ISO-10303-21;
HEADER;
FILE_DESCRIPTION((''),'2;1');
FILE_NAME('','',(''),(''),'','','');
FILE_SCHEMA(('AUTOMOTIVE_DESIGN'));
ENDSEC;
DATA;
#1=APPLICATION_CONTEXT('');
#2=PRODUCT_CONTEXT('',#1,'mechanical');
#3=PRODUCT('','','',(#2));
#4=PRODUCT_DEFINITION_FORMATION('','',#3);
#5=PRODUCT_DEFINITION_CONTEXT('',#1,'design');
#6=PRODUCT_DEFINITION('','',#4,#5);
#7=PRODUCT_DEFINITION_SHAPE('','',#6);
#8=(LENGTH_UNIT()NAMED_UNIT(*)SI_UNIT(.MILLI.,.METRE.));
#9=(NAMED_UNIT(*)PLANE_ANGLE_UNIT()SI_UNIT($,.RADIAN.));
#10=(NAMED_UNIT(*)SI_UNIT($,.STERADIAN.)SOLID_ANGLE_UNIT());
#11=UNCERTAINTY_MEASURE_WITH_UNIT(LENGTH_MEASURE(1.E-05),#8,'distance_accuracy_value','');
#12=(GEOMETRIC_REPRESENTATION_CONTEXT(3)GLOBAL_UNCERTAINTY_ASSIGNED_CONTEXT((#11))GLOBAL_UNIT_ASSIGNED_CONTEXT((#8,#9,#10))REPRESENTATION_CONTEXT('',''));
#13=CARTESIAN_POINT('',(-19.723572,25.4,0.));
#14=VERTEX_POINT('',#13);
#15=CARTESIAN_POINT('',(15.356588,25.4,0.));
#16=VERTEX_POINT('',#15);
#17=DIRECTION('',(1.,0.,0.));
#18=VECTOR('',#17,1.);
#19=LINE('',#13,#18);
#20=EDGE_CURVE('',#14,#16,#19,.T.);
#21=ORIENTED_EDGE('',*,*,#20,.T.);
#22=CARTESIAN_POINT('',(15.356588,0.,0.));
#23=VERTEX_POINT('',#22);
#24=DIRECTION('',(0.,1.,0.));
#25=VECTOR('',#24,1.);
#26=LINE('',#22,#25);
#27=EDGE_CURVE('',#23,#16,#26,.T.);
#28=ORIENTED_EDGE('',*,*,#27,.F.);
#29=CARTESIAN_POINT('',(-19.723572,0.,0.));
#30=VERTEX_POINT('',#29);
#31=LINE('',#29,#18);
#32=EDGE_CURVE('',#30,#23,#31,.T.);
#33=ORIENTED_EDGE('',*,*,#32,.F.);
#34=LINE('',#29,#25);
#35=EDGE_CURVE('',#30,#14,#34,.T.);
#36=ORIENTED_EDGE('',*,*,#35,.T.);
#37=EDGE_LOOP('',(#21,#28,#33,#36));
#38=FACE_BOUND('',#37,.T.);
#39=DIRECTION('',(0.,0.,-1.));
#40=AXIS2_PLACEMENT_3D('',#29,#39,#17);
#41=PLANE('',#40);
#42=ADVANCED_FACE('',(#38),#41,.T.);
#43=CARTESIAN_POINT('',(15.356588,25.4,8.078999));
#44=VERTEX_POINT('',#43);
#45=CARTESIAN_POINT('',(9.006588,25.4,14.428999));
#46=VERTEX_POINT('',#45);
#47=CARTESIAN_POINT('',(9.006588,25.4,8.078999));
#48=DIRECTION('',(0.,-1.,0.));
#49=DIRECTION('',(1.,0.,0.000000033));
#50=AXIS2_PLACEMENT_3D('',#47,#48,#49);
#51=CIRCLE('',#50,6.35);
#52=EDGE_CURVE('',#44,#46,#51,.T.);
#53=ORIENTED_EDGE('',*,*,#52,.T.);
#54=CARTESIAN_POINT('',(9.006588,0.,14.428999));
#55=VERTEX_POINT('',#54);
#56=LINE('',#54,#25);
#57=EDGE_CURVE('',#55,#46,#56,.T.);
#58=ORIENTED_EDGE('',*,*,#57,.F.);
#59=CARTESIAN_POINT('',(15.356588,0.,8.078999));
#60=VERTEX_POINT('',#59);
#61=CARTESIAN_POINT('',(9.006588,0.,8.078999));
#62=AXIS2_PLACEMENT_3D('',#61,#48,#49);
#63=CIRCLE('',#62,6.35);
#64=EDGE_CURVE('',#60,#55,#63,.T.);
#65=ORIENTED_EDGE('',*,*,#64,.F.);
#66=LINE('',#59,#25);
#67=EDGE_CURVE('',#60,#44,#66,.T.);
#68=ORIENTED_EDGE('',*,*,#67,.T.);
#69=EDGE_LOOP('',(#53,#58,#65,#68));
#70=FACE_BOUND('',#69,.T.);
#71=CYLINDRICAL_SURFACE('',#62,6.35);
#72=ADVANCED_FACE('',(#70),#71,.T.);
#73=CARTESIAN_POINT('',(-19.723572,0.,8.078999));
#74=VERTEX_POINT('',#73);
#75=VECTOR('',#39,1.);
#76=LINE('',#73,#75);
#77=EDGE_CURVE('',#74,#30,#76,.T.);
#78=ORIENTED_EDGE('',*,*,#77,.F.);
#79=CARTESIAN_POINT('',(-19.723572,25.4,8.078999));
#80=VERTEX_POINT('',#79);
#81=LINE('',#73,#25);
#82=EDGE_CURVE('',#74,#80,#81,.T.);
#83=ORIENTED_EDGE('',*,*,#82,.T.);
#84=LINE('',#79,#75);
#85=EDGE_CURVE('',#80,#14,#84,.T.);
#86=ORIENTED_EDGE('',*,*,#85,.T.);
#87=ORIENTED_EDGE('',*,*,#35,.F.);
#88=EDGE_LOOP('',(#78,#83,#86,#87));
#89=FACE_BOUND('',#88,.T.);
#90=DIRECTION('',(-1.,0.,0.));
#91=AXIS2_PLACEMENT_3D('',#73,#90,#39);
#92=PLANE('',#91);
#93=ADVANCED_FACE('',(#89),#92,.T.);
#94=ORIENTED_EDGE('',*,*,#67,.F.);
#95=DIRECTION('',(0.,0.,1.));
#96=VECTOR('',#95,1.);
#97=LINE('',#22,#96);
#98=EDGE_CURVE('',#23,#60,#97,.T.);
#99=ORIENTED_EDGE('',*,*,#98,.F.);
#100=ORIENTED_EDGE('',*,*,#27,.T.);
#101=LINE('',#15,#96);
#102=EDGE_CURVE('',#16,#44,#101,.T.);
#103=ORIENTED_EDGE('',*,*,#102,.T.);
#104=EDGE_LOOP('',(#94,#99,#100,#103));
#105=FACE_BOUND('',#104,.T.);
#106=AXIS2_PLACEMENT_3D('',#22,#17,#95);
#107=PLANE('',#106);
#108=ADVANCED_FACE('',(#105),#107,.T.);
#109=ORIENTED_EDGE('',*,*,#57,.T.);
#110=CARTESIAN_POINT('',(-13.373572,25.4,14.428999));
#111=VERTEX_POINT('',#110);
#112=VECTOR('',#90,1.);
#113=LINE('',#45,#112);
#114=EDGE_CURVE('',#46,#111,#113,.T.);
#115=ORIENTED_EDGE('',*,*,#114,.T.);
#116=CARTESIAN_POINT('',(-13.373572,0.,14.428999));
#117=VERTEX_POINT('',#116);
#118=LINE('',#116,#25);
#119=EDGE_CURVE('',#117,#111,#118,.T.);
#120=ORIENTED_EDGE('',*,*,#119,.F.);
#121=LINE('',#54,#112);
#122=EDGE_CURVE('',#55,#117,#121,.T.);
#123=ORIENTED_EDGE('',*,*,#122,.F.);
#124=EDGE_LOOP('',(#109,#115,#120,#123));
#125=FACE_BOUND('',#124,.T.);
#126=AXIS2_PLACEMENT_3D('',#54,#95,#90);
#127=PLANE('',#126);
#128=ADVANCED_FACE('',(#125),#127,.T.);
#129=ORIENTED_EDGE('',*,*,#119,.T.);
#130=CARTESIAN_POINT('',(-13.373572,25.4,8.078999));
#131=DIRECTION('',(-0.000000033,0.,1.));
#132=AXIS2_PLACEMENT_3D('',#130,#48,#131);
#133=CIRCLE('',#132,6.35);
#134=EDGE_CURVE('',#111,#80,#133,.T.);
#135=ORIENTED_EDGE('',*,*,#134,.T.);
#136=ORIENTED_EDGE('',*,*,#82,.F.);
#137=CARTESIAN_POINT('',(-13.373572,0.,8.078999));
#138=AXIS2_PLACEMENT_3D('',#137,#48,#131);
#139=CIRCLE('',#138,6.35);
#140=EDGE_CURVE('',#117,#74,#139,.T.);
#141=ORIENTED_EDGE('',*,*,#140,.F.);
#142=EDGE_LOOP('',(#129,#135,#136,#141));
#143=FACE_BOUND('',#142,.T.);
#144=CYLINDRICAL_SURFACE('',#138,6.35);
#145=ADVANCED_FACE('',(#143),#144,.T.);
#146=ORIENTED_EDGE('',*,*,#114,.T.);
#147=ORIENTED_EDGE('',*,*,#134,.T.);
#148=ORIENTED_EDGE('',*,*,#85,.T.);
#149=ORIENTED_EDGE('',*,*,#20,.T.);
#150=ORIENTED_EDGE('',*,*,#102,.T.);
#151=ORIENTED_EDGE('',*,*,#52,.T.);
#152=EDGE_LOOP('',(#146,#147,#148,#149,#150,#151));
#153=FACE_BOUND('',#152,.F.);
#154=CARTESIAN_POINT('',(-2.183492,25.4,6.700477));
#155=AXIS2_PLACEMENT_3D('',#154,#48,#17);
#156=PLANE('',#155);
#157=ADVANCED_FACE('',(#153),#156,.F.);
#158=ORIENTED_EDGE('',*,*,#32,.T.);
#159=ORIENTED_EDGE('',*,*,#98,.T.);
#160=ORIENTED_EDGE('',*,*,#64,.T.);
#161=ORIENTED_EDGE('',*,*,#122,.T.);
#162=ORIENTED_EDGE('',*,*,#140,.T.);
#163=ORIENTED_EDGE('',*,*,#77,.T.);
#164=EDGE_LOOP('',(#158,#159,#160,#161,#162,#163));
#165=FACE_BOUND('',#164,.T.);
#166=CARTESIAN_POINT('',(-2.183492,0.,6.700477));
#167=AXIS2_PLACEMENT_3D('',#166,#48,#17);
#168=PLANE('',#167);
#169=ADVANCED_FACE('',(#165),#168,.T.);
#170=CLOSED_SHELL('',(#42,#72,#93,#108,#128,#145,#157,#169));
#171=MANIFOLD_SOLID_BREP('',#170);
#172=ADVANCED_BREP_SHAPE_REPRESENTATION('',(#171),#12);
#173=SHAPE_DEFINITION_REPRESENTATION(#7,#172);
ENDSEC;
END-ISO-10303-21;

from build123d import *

# Parameters (mm, degrees)
F1_DEPTH = 25.4


with BuildPart() as f1:
    # F0 (on Front) → F1 (new body)
    with BuildSketch(Plane.XZ):
        with BuildLine():
            Line((-19.723572, 8.078999), (-19.723572, 0))
            Line((-19.723572, 0), (15.356588, 0))
            Line((15.356588, 0), (15.356588, 8.078999))
            ThreePointArc((15.356588, 8.078999), (13.496716, 12.569127), (9.006588, 14.428999))
            Line((9.006588, 14.428999), (-13.373572, 14.428999))
            ThreePointArc((-13.373572, 14.428999), (-17.8637, 12.569127), (-19.723572, 8.078999))
        make_face()
    extrude(amount=-F1_DEPTH)


solid = f1.part
